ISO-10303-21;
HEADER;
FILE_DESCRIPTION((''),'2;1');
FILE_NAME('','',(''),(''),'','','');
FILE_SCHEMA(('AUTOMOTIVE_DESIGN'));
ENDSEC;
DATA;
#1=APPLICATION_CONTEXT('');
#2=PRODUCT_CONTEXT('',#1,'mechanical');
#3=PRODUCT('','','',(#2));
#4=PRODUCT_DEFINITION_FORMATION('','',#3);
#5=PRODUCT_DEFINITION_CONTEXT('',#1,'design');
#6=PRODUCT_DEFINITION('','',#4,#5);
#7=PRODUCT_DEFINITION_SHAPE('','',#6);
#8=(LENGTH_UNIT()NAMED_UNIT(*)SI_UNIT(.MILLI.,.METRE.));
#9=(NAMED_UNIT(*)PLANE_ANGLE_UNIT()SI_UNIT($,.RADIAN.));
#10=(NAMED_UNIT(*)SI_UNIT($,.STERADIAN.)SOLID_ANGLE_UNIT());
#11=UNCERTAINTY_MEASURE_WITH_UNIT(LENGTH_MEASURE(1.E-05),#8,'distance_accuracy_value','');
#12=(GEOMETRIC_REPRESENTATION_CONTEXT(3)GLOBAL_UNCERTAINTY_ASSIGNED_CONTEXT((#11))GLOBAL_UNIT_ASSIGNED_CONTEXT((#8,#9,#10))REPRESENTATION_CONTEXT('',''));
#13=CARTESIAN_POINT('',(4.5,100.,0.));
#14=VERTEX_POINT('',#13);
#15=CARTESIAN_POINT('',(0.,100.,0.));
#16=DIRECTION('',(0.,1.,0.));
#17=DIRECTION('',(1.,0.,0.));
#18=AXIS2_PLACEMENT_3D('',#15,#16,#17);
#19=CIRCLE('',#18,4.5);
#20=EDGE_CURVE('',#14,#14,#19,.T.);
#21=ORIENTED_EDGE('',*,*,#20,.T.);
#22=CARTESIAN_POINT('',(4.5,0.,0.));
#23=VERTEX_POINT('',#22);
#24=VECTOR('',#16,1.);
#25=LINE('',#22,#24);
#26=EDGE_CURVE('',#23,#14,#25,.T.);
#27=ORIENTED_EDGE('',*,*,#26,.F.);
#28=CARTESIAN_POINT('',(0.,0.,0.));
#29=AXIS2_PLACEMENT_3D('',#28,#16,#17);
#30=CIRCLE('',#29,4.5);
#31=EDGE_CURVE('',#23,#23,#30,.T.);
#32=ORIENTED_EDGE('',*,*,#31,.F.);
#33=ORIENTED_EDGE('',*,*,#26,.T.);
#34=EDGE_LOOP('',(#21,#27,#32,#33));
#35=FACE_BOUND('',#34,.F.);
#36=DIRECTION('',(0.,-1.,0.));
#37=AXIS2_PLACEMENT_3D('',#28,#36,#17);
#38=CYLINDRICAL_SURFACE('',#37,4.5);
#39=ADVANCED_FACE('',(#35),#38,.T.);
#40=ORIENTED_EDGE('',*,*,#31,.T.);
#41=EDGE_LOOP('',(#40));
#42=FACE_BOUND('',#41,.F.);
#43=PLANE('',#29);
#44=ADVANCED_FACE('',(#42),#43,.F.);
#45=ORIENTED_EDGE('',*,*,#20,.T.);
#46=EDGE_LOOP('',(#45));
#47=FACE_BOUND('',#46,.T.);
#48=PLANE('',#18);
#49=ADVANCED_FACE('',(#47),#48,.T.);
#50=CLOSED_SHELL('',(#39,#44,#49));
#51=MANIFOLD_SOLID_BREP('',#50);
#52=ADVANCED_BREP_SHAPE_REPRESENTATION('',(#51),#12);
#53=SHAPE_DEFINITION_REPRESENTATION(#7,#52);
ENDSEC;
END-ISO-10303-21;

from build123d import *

# Parameters (mm, degrees)
CROQUIS1_R              = 4.5
SALIENTE_EXTRUIR1_DEPTH = 100


with BuildPart() as part:
    # Croquis1 → Saliente-Extruir1 (new body)
    with BuildSketch(Plane(origin=(0, 0, 0), x_dir=(1, 0, 0), z_dir=(0, 1, 0))):
        Circle(CROQUIS1_R)
    extrude(amount=SALIENTE_EXTRUIR1_DEPTH)


solid = part.part
